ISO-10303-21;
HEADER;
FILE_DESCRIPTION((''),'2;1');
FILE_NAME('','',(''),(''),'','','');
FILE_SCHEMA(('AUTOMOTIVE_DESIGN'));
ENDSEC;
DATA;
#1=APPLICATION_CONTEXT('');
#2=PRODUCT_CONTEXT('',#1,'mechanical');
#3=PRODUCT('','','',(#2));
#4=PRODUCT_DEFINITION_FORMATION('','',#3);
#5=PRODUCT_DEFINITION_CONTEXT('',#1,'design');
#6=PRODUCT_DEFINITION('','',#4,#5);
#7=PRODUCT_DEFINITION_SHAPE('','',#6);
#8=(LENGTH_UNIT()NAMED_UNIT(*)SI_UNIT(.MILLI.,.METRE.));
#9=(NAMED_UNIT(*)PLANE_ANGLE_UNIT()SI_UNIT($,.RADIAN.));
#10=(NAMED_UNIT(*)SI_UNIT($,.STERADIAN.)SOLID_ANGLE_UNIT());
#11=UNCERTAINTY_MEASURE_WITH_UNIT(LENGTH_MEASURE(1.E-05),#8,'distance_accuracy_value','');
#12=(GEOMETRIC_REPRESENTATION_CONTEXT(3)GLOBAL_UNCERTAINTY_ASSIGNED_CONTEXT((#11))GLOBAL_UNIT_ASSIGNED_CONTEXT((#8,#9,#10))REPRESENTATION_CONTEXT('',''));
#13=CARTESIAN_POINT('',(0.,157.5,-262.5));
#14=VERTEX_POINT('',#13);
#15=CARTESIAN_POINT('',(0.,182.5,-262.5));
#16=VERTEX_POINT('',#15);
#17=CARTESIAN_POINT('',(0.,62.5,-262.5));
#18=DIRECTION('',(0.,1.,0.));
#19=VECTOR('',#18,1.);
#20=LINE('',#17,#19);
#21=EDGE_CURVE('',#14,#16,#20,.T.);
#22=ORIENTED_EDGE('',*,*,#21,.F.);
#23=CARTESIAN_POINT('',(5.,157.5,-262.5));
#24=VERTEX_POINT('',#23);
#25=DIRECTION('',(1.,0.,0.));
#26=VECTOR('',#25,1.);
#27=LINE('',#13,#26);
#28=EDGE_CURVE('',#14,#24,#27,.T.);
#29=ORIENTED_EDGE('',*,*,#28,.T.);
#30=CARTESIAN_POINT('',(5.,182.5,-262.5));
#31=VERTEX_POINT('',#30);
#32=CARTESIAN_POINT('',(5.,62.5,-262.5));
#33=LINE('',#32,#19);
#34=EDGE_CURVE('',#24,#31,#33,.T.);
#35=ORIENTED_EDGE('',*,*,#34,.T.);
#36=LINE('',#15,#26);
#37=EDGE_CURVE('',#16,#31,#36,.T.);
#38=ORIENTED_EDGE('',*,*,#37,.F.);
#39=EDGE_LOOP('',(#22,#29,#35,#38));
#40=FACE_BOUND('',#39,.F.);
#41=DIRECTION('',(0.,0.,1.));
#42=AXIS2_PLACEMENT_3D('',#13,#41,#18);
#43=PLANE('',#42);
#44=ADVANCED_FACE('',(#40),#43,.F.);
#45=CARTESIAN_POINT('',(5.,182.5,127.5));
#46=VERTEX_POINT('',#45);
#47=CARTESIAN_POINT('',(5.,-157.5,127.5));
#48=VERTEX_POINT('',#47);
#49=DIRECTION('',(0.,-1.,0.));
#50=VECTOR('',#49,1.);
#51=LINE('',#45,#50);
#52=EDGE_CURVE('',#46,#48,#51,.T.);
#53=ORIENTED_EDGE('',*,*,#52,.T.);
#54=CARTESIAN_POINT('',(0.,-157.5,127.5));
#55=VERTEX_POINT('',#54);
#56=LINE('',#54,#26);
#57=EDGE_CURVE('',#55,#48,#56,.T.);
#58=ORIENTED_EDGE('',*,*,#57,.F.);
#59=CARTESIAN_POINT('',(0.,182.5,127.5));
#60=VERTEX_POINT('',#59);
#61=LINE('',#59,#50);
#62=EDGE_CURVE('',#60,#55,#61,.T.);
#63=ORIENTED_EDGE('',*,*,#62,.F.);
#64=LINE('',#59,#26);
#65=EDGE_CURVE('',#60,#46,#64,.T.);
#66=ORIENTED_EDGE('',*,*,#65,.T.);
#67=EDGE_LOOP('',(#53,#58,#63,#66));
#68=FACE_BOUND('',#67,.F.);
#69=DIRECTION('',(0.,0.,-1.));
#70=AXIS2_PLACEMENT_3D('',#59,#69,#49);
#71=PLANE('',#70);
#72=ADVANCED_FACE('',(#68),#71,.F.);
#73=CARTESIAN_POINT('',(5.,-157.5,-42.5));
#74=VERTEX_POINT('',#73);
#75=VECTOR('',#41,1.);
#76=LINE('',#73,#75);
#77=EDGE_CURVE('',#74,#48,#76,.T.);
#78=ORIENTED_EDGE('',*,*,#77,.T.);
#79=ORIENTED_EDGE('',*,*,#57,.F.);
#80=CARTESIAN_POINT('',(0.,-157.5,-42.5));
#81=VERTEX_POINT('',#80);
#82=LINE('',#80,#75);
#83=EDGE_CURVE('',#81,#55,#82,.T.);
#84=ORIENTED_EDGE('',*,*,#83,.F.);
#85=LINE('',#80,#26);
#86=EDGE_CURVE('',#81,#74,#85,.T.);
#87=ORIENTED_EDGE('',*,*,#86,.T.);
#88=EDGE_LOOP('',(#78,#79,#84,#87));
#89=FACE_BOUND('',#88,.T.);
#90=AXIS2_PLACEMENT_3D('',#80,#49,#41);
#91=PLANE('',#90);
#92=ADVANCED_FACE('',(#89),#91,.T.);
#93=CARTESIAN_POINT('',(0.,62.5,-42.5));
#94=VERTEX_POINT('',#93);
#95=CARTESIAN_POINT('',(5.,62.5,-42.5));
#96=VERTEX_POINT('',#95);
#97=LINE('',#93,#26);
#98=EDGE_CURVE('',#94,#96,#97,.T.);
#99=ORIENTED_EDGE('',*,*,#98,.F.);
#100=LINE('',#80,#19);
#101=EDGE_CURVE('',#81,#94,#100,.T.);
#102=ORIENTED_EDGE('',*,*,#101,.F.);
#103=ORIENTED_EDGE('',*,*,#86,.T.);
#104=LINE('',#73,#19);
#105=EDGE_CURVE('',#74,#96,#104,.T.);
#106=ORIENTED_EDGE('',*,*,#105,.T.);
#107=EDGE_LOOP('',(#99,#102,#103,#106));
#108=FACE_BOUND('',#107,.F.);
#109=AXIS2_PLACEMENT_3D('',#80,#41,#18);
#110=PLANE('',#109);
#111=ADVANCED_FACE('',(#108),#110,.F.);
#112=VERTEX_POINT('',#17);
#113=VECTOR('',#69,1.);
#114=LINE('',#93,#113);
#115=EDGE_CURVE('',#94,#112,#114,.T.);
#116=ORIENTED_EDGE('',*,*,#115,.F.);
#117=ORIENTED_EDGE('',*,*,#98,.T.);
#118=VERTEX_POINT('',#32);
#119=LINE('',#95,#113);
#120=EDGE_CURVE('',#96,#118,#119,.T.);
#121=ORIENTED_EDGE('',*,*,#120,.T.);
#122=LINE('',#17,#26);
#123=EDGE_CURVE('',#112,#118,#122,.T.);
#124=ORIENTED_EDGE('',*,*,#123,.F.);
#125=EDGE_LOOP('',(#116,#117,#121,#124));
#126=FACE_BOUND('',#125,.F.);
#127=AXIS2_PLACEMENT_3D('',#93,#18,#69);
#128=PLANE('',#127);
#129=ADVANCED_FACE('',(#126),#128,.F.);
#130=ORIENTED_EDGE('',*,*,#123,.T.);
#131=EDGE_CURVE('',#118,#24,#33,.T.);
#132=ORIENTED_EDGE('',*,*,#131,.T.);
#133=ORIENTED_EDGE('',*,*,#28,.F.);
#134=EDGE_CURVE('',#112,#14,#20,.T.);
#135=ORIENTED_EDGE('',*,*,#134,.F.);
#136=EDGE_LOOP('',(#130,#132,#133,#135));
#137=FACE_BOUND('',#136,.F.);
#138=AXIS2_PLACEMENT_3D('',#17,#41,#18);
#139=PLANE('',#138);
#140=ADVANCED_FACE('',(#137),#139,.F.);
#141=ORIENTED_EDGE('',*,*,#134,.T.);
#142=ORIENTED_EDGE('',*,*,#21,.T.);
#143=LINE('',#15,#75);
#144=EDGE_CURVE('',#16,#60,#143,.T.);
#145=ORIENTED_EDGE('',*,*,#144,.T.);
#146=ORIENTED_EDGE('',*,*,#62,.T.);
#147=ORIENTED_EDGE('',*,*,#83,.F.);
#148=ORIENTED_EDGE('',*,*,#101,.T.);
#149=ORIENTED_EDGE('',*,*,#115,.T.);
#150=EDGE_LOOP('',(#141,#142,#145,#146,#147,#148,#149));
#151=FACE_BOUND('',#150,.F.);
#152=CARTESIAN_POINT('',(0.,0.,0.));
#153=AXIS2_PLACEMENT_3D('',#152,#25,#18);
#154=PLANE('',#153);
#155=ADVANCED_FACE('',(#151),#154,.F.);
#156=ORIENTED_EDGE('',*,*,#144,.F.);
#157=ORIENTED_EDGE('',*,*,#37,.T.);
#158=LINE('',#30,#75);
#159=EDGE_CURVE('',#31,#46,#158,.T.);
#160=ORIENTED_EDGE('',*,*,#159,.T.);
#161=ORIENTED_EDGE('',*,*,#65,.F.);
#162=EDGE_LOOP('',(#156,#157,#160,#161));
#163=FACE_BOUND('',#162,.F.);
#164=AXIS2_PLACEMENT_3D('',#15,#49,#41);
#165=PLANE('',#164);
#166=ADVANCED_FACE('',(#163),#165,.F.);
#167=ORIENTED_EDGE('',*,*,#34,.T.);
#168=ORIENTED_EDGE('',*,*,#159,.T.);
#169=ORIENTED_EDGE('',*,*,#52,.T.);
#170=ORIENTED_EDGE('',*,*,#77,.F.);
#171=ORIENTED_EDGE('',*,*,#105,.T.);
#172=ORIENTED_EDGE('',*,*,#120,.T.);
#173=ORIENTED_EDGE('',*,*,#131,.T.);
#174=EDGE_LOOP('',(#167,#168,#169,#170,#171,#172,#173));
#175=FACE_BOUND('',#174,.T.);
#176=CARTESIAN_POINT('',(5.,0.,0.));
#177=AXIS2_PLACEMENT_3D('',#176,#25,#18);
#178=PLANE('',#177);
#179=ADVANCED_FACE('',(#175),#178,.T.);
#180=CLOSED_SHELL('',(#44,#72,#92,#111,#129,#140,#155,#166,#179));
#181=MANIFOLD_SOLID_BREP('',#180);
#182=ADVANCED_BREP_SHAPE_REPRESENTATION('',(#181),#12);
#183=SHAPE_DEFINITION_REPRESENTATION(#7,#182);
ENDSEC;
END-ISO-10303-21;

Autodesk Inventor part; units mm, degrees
ref_plane "YZ Plane" through (0, 0, 0) normal (1, 0, 0) x (0, 1, 0)
ref_plane "XZ Plane" through (0, 0, 0) normal (0, 1, 0) x (-1, 0, 0)
ref_plane "XY Plane" through (0, 0, 0) normal (0, 0, 1) x (1, 0, 0)
sketch "Sketch1" plane through (0, 0, 0) normal (1, 0, 0) x (0, 1, 0)
  line L0 (-157.5, -42.5) -> (62.5, -42.5)
  line L1 (62.5, -42.5) -> (62.5, -262.5)
  line L2 (62.5, -262.5) -> (157.5, -262.5)
  line L3 (-157.5, -42.5) -> (-157.5, 127.5)
  line L4 (182.5, 127.5) -> (-157.5, 127.5)
  line L5 (62.5, -262.5) -> (182.5, -262.5)
  line L6 (182.5, -262.5) -> (182.5, 127.5)
  point P0 (0, 0)
  point P1 (157.5, 127.5)
  dimension "d8" = 170
  dimension "d9" = 120
extrude "Extrusion1" add sketch "Sketch1" along normal blind 5
properties part number "Side Part" material "Pine, Southern"
